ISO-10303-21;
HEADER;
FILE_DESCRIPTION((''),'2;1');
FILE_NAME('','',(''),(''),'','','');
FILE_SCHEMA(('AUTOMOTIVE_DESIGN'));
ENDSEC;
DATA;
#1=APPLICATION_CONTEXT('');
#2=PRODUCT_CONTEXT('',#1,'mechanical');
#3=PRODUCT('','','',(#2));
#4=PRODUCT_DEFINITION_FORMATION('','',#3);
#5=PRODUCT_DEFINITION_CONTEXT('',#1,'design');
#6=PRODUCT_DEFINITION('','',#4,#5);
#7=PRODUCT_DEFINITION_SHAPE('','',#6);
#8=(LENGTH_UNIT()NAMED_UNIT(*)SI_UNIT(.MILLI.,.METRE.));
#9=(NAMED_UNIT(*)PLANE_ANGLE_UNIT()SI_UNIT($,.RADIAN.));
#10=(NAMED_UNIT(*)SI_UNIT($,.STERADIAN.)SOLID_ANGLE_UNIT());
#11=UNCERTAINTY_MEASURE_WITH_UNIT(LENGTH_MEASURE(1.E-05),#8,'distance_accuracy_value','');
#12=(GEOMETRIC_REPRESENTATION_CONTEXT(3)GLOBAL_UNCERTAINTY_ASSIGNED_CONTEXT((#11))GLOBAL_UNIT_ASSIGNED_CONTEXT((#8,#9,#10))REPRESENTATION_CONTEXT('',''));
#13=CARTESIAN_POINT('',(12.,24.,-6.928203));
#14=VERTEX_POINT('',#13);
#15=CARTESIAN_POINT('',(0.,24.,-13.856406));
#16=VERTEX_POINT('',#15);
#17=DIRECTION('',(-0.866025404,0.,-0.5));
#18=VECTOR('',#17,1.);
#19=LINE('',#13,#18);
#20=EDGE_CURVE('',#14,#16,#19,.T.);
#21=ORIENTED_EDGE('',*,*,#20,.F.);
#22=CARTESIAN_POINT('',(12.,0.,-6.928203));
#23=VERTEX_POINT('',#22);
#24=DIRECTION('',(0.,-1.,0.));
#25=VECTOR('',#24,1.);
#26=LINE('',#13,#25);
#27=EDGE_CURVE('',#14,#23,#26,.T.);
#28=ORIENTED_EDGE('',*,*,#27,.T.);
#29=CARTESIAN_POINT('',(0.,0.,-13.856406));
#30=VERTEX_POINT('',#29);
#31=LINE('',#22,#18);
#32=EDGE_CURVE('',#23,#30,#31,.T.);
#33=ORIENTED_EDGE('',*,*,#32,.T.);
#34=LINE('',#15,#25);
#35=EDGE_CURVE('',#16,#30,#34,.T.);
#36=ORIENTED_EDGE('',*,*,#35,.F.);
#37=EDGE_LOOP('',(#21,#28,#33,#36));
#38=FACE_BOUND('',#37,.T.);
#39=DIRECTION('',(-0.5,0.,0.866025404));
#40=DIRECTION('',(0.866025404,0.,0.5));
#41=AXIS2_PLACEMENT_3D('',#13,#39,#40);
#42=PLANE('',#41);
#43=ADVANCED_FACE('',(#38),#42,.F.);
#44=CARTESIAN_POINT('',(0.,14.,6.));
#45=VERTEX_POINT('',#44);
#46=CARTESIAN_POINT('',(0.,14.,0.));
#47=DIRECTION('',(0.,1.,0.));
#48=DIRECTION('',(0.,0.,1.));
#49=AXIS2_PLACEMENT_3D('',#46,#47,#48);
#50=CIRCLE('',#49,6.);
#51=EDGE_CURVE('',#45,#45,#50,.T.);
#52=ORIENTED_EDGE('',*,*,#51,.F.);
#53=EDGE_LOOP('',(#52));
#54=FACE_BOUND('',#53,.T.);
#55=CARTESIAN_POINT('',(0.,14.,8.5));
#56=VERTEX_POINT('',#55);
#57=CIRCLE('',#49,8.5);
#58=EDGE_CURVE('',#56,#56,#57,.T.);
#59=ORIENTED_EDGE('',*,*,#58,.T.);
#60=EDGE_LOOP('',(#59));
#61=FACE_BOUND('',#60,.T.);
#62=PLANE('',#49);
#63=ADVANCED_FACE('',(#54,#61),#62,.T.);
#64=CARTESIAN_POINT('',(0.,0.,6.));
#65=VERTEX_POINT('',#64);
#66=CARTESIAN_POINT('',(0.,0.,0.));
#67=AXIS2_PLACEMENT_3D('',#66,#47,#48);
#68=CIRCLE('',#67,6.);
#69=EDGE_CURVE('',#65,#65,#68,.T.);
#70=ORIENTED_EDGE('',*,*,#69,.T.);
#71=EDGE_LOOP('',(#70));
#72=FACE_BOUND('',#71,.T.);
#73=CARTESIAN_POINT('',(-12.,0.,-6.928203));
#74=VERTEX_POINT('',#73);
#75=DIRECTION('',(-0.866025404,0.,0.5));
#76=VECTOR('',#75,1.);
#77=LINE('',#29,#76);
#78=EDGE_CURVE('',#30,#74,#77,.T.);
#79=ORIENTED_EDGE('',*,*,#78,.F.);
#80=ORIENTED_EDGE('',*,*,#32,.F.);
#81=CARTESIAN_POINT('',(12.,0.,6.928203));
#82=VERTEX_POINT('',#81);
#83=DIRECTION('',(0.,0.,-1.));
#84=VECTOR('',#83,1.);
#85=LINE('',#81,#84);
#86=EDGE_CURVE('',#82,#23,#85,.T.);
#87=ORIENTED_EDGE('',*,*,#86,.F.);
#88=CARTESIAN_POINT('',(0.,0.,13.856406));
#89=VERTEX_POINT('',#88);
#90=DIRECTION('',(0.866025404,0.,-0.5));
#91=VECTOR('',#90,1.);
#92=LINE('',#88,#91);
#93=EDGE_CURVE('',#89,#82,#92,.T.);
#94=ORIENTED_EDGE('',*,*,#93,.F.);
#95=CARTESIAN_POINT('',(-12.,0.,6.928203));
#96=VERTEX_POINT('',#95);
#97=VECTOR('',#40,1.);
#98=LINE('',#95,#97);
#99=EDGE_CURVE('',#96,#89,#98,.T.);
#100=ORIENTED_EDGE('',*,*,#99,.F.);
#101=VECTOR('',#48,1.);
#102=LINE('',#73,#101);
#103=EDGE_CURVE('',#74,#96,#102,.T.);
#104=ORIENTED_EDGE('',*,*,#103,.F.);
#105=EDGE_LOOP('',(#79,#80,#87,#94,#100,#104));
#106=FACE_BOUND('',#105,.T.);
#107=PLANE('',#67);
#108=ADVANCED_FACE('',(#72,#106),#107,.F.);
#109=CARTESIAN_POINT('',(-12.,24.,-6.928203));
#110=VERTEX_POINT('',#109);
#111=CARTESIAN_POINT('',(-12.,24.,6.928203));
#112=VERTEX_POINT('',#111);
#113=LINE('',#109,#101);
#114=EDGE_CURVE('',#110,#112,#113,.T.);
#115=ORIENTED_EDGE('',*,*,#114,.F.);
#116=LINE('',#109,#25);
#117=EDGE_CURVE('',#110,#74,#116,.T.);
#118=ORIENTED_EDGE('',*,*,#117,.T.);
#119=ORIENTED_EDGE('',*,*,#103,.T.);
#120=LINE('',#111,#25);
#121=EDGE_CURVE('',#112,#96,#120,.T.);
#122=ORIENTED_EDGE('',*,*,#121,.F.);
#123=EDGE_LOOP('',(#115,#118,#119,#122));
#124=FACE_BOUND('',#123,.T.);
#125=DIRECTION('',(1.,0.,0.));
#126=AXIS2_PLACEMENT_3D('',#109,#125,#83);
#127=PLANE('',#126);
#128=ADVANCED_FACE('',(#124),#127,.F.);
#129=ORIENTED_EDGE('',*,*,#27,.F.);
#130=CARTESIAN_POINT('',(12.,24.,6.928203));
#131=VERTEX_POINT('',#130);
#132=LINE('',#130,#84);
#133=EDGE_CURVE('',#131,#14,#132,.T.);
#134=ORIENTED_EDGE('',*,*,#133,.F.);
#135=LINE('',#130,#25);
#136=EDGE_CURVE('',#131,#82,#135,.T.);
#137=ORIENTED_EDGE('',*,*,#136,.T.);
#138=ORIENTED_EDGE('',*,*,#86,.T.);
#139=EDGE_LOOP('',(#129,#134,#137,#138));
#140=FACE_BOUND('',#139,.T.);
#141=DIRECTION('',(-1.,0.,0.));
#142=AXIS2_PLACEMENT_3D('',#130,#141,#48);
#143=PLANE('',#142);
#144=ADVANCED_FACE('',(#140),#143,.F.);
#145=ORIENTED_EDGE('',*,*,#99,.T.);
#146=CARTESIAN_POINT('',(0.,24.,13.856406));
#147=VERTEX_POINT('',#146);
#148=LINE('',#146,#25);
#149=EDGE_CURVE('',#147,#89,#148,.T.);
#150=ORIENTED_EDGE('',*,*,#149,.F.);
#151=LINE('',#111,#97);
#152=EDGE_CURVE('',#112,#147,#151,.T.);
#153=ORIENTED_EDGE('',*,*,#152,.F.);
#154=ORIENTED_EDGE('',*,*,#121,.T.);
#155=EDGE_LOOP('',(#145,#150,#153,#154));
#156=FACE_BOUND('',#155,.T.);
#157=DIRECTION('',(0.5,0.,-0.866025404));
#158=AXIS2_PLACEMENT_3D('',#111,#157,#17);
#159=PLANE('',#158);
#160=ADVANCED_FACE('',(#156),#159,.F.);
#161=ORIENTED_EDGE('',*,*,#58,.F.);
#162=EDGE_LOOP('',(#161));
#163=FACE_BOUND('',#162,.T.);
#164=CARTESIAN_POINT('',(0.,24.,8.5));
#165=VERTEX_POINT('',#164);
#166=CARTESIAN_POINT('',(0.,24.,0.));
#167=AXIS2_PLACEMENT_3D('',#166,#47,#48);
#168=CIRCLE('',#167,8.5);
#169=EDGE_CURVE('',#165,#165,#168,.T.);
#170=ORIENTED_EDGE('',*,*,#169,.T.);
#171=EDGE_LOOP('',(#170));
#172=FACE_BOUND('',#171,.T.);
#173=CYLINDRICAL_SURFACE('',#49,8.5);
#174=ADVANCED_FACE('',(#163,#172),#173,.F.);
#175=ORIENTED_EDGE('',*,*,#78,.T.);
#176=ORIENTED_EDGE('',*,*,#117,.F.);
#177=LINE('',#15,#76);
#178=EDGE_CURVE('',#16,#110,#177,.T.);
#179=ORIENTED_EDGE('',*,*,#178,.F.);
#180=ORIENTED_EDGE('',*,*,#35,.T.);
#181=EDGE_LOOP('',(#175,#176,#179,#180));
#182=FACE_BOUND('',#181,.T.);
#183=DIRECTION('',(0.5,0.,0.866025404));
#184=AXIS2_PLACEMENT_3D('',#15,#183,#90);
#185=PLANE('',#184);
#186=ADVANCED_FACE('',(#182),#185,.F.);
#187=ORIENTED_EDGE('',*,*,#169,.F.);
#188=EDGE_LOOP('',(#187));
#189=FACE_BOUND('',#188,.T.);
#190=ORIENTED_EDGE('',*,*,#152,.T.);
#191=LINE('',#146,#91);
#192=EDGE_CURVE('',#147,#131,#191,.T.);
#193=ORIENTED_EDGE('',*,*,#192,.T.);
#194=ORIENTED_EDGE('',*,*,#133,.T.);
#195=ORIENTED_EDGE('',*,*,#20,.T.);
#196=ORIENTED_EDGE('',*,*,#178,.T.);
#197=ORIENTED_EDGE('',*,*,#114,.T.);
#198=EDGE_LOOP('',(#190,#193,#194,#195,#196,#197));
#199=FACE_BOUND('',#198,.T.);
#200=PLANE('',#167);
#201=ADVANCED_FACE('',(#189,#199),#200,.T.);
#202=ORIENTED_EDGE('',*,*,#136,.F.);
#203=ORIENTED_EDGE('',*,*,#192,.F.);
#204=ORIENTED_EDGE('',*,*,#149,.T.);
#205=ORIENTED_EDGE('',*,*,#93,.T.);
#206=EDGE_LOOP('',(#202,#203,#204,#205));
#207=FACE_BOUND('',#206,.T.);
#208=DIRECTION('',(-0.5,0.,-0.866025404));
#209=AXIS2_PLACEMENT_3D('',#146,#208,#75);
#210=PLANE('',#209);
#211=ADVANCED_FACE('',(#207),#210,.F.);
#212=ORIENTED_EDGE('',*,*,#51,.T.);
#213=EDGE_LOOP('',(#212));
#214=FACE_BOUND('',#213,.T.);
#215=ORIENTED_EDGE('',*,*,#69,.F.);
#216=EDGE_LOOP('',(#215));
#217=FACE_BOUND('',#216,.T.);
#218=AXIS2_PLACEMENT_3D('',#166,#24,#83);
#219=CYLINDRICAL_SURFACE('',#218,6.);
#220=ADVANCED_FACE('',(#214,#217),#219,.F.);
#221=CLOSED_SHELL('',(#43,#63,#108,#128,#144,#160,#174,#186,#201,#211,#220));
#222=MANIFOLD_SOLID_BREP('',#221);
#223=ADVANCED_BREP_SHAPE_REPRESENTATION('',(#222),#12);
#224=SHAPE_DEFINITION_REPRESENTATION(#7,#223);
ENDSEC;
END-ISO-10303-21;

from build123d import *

# Parameters (mm, degrees)
SKETCH_1_R          = 6
EXTRUDE_1_DEPTH     = 24
SKETCH_3_R          = 8.5
CUT_EXTRUDE_2_DEPTH = 10


with BuildPart() as part:
    # Эскиз1 → Бобышка-Вытянуть1 (new body)
    with BuildSketch(Plane(origin=(0, 0, 0), x_dir=(1, 0, 0), z_dir=(0, 1, 0))):
        Polygon((0, 13.856406461), (-12, 6.92820323), (-12, -6.92820323), (0, -13.856406461), (12, -6.92820323), (12, 6.92820323), align=None)
        Circle(SKETCH_1_R, mode=Mode.SUBTRACT)
    extrude(amount=EXTRUDE_1_DEPTH)

    # Эскиз3 → Вырез-Вытянуть2 (cut)
    with BuildSketch(Plane(origin=(0, 24, 0), x_dir=(1, 0, 0), z_dir=(0, 1, 0))):
        Circle(SKETCH_3_R)
    extrude(amount=-CUT_EXTRUDE_2_DEPTH, mode=Mode.SUBTRACT)


solid = part.part
